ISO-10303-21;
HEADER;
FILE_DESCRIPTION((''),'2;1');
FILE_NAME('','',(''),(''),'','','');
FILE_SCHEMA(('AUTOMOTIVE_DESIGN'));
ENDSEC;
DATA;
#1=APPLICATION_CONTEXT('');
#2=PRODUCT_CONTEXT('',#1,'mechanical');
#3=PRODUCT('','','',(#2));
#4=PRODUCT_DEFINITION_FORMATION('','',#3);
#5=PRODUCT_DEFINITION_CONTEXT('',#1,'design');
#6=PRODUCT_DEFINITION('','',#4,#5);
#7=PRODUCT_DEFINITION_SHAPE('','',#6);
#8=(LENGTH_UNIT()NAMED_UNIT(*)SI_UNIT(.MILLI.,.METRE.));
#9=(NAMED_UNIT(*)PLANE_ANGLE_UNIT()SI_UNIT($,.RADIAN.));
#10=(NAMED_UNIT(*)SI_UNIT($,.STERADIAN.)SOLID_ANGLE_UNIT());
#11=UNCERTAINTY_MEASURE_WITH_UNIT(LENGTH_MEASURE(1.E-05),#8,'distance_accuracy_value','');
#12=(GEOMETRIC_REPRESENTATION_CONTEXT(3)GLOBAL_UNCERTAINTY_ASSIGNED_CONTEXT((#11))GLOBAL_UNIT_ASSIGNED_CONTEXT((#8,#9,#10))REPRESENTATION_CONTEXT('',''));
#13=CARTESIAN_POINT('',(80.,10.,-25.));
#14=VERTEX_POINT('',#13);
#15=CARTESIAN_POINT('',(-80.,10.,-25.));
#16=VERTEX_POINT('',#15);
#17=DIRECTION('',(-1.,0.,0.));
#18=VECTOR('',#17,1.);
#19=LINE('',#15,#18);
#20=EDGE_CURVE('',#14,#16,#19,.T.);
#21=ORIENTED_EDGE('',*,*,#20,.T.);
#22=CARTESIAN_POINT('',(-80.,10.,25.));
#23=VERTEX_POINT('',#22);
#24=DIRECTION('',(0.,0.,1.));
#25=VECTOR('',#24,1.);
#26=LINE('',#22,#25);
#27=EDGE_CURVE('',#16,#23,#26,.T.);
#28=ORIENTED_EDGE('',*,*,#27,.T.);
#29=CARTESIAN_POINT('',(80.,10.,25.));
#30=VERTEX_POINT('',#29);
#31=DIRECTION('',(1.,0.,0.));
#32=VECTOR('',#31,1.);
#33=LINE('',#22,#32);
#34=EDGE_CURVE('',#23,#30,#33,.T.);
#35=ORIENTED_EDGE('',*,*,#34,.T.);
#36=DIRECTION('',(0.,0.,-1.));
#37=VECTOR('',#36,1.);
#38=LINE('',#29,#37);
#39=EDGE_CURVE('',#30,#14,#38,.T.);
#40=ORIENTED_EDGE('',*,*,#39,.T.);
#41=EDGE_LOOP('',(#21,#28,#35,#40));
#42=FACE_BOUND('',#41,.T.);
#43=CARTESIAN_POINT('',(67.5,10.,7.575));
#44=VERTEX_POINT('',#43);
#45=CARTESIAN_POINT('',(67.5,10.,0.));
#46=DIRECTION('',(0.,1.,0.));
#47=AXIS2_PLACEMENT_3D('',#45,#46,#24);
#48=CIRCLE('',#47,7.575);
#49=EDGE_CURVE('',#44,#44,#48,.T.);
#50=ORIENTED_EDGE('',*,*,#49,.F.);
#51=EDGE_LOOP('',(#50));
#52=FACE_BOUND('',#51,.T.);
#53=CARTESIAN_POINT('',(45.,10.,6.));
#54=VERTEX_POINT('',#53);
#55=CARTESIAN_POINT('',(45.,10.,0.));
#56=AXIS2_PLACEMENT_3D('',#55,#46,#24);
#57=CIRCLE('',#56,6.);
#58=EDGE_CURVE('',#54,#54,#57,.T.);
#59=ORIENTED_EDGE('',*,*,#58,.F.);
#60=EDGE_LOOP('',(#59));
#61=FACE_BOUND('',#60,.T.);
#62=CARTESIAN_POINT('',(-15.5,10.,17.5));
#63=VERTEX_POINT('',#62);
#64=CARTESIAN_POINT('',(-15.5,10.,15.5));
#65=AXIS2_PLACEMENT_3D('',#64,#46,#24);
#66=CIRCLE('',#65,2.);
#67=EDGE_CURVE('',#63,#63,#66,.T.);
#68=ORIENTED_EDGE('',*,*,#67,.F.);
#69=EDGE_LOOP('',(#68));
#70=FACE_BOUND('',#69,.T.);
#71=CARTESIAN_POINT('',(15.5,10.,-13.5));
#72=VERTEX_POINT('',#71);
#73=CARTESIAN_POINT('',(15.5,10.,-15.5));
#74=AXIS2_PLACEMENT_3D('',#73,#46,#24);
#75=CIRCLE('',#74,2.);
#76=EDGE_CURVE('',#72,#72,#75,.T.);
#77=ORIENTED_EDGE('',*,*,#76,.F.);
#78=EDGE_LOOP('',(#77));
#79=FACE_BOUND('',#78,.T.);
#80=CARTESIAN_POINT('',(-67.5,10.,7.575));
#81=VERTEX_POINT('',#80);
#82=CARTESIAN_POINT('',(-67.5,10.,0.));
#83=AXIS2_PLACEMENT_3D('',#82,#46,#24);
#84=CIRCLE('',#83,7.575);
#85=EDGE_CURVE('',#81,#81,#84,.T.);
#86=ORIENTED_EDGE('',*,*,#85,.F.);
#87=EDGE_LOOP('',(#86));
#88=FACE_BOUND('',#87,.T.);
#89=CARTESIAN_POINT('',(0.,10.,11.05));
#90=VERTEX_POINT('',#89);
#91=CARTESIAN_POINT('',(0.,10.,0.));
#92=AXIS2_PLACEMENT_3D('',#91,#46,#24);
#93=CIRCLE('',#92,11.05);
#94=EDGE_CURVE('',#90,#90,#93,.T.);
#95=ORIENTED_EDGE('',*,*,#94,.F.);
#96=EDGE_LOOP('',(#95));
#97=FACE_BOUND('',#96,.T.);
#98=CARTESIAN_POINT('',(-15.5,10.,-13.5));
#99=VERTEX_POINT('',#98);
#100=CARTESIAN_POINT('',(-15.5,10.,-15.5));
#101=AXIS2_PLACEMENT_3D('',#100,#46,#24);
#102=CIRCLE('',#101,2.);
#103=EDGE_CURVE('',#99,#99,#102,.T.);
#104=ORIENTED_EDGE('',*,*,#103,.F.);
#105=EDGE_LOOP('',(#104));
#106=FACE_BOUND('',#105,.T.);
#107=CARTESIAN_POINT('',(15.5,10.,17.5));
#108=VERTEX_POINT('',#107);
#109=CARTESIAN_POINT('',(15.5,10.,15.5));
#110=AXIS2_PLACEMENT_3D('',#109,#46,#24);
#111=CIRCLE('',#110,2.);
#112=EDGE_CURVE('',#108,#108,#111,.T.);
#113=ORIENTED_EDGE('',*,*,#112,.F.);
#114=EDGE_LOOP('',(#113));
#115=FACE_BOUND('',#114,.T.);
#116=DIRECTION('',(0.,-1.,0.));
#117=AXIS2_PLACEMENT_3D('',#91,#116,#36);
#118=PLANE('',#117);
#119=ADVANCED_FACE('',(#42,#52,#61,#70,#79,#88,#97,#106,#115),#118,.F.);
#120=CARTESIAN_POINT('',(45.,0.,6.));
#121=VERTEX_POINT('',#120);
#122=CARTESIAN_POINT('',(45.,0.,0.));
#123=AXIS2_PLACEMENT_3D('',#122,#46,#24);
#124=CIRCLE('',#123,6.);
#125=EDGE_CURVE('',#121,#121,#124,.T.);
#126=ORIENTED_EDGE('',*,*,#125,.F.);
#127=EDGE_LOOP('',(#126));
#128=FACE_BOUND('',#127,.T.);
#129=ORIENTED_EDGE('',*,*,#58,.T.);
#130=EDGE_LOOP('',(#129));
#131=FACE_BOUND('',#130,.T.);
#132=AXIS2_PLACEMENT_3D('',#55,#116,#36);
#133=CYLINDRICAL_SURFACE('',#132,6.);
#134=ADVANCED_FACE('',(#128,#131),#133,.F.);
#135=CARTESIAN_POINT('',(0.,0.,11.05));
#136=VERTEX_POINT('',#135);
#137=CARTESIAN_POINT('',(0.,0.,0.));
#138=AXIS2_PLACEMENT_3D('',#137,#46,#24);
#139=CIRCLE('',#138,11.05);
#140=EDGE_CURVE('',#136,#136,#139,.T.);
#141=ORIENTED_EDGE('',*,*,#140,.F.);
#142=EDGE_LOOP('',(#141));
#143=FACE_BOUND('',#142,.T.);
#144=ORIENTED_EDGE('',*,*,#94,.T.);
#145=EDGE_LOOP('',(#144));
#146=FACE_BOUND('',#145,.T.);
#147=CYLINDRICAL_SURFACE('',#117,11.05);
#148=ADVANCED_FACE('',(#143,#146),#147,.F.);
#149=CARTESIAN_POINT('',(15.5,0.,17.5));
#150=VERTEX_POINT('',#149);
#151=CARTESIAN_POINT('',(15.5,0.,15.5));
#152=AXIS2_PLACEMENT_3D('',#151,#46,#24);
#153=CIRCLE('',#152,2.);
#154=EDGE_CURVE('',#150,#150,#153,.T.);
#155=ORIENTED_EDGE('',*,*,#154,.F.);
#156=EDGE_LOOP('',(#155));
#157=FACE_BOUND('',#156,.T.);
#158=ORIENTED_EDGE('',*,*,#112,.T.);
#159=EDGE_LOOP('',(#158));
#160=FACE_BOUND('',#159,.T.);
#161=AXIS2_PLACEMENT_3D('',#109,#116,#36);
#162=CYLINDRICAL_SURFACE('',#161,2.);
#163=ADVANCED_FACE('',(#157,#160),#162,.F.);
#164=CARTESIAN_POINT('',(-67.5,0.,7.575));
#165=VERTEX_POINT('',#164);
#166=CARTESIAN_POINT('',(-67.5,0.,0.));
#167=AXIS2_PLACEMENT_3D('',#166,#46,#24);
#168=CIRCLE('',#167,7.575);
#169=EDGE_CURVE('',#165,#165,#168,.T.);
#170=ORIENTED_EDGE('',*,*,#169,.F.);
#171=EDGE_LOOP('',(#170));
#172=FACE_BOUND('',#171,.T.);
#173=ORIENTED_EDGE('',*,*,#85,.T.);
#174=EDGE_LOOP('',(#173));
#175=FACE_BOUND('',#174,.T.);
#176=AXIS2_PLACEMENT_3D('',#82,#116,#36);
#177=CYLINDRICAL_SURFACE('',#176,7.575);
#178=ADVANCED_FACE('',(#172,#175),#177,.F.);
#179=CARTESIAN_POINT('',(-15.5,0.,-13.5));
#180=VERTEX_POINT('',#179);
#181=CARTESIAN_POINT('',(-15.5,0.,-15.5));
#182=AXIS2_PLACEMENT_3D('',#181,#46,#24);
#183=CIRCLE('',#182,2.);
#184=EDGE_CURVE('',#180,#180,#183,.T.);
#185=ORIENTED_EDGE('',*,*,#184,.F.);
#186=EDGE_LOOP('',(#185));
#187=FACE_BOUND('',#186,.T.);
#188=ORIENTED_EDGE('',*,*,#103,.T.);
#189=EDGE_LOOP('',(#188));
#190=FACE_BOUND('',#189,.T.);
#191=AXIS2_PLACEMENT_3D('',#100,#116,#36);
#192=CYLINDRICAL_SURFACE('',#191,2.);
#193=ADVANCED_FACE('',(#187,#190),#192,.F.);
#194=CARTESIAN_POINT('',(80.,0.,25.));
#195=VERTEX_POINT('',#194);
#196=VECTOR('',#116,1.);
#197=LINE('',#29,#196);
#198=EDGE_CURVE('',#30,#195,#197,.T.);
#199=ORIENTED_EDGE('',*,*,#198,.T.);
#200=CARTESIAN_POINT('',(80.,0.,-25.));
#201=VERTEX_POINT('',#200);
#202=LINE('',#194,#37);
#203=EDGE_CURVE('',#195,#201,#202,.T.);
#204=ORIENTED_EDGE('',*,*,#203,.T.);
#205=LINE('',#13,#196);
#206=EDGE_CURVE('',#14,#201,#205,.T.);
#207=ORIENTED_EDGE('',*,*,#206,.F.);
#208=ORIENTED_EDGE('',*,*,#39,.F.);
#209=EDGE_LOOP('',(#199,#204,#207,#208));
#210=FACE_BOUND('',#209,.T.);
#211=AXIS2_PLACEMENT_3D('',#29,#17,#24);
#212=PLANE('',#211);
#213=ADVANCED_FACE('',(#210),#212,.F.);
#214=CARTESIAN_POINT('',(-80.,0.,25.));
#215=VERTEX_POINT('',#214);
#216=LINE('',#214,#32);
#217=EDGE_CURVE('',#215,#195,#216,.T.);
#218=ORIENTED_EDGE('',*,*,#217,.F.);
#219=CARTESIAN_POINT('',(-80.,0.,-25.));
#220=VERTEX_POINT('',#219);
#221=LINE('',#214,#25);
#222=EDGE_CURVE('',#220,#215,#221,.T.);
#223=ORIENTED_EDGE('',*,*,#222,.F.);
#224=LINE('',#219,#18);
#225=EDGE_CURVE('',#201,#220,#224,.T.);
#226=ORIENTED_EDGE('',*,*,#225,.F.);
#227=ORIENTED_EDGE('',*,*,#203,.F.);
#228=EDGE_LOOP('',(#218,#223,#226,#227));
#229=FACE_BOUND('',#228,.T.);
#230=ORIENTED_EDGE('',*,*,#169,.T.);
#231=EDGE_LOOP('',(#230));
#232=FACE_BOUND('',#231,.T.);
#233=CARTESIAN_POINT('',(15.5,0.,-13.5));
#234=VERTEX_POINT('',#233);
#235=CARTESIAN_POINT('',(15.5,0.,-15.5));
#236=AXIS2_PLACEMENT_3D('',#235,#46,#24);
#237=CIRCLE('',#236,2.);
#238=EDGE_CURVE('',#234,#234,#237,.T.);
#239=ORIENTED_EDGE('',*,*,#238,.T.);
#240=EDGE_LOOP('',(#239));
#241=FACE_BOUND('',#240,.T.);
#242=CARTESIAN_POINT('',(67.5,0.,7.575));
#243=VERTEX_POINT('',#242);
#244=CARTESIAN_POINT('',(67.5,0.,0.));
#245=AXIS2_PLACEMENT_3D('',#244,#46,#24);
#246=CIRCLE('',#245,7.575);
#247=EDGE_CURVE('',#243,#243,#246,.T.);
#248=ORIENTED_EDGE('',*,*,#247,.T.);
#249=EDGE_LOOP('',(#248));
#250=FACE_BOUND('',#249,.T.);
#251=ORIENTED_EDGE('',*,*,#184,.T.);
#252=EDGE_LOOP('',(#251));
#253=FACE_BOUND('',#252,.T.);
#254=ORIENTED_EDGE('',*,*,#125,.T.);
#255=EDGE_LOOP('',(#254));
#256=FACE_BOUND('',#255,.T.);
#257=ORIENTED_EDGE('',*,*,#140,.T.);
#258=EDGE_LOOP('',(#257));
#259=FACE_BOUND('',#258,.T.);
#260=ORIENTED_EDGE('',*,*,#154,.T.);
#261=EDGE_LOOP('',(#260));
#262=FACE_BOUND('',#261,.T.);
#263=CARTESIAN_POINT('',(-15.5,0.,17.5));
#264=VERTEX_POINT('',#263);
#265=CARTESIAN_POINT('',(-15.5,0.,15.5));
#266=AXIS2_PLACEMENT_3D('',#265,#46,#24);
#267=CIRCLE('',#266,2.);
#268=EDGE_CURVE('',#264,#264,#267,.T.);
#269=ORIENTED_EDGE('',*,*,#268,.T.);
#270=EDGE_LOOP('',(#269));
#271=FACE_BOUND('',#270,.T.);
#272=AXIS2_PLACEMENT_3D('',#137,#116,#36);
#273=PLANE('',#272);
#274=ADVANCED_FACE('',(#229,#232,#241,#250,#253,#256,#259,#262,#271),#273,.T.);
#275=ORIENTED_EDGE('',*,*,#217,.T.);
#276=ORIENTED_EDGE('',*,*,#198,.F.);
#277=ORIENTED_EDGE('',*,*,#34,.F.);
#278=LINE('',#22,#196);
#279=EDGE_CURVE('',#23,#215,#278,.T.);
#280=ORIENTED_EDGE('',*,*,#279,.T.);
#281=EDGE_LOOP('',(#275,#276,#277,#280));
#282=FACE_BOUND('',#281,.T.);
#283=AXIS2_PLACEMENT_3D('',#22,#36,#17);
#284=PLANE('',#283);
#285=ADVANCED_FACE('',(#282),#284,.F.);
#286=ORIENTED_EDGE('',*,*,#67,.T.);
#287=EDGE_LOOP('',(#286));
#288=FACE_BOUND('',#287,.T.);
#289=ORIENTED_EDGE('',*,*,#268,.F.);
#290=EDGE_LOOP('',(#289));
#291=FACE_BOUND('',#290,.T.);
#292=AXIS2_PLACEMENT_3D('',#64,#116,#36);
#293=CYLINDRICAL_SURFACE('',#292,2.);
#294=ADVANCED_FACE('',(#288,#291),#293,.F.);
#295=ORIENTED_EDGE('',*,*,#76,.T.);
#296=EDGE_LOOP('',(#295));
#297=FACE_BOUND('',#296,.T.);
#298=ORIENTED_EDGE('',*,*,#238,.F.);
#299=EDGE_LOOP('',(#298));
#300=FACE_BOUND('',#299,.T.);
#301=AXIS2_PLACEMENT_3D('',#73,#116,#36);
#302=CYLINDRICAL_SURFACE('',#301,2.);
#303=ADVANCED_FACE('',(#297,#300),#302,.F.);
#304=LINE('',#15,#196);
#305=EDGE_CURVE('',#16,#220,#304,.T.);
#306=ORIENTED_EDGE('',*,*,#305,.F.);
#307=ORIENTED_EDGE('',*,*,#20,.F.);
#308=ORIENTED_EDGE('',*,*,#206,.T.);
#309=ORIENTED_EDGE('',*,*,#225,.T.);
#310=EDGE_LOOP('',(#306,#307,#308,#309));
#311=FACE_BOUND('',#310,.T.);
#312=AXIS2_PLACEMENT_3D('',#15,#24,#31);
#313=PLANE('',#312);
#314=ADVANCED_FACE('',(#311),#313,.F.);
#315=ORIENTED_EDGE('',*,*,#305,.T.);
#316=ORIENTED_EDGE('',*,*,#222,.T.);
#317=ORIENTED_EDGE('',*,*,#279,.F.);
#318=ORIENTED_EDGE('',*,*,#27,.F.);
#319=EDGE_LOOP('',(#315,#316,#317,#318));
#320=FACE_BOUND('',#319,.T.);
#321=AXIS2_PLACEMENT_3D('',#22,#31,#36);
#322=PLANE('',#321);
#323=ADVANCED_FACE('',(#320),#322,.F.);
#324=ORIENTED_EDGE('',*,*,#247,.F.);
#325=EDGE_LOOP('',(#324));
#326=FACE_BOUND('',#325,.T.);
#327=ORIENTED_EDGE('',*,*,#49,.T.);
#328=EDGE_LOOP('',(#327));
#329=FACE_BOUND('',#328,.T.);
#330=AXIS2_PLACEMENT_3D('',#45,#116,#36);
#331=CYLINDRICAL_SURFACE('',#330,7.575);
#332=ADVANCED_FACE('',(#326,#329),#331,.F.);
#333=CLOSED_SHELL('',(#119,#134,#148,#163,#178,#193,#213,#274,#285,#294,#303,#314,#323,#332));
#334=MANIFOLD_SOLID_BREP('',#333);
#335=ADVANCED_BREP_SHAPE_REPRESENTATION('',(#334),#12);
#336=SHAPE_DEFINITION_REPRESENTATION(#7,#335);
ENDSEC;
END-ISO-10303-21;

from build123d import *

# Parameters (mm, degrees)
SKETCH1_W           = 160
SKETCH1_H           = 50
SKETCH1_R           = 11.05
SKETCH1_R_2         = 2
SKETCH1_R_3         = 7.575
SKETCH1_R_4         = 6
BOSS_EXTRUDE1_DEPTH = 10


with BuildPart() as part:
    # Sketch1 → Boss-Extrude1 (new body)
    with BuildSketch(Plane(origin=(0, 0, 0), x_dir=(1, 0, 0), z_dir=(0, 1, 0))):
        Rectangle(SKETCH1_W, SKETCH1_H)
        Circle(SKETCH1_R, mode=Mode.SUBTRACT)
        with Locations((15.5, 15.5)):
            Circle(SKETCH1_R_2, mode=Mode.SUBTRACT)
        with Locations((-15.5, 15.5)):
            Circle(SKETCH1_R_2, mode=Mode.SUBTRACT)
        with Locations((-15.5, -15.5)):
            Circle(SKETCH1_R_2, mode=Mode.SUBTRACT)
        with Locations((15.5, -15.5)):
            Circle(SKETCH1_R_2, mode=Mode.SUBTRACT)
        with Locations((-67.5, 0)):
            Circle(SKETCH1_R_3, mode=Mode.SUBTRACT)
        with Locations((67.5, 0)):
            Circle(SKETCH1_R_3, mode=Mode.SUBTRACT)
        with Locations((45, 0)):
            Circle(SKETCH1_R_4, mode=Mode.SUBTRACT)
    extrude(amount=BOSS_EXTRUDE1_DEPTH)


solid = part.part
